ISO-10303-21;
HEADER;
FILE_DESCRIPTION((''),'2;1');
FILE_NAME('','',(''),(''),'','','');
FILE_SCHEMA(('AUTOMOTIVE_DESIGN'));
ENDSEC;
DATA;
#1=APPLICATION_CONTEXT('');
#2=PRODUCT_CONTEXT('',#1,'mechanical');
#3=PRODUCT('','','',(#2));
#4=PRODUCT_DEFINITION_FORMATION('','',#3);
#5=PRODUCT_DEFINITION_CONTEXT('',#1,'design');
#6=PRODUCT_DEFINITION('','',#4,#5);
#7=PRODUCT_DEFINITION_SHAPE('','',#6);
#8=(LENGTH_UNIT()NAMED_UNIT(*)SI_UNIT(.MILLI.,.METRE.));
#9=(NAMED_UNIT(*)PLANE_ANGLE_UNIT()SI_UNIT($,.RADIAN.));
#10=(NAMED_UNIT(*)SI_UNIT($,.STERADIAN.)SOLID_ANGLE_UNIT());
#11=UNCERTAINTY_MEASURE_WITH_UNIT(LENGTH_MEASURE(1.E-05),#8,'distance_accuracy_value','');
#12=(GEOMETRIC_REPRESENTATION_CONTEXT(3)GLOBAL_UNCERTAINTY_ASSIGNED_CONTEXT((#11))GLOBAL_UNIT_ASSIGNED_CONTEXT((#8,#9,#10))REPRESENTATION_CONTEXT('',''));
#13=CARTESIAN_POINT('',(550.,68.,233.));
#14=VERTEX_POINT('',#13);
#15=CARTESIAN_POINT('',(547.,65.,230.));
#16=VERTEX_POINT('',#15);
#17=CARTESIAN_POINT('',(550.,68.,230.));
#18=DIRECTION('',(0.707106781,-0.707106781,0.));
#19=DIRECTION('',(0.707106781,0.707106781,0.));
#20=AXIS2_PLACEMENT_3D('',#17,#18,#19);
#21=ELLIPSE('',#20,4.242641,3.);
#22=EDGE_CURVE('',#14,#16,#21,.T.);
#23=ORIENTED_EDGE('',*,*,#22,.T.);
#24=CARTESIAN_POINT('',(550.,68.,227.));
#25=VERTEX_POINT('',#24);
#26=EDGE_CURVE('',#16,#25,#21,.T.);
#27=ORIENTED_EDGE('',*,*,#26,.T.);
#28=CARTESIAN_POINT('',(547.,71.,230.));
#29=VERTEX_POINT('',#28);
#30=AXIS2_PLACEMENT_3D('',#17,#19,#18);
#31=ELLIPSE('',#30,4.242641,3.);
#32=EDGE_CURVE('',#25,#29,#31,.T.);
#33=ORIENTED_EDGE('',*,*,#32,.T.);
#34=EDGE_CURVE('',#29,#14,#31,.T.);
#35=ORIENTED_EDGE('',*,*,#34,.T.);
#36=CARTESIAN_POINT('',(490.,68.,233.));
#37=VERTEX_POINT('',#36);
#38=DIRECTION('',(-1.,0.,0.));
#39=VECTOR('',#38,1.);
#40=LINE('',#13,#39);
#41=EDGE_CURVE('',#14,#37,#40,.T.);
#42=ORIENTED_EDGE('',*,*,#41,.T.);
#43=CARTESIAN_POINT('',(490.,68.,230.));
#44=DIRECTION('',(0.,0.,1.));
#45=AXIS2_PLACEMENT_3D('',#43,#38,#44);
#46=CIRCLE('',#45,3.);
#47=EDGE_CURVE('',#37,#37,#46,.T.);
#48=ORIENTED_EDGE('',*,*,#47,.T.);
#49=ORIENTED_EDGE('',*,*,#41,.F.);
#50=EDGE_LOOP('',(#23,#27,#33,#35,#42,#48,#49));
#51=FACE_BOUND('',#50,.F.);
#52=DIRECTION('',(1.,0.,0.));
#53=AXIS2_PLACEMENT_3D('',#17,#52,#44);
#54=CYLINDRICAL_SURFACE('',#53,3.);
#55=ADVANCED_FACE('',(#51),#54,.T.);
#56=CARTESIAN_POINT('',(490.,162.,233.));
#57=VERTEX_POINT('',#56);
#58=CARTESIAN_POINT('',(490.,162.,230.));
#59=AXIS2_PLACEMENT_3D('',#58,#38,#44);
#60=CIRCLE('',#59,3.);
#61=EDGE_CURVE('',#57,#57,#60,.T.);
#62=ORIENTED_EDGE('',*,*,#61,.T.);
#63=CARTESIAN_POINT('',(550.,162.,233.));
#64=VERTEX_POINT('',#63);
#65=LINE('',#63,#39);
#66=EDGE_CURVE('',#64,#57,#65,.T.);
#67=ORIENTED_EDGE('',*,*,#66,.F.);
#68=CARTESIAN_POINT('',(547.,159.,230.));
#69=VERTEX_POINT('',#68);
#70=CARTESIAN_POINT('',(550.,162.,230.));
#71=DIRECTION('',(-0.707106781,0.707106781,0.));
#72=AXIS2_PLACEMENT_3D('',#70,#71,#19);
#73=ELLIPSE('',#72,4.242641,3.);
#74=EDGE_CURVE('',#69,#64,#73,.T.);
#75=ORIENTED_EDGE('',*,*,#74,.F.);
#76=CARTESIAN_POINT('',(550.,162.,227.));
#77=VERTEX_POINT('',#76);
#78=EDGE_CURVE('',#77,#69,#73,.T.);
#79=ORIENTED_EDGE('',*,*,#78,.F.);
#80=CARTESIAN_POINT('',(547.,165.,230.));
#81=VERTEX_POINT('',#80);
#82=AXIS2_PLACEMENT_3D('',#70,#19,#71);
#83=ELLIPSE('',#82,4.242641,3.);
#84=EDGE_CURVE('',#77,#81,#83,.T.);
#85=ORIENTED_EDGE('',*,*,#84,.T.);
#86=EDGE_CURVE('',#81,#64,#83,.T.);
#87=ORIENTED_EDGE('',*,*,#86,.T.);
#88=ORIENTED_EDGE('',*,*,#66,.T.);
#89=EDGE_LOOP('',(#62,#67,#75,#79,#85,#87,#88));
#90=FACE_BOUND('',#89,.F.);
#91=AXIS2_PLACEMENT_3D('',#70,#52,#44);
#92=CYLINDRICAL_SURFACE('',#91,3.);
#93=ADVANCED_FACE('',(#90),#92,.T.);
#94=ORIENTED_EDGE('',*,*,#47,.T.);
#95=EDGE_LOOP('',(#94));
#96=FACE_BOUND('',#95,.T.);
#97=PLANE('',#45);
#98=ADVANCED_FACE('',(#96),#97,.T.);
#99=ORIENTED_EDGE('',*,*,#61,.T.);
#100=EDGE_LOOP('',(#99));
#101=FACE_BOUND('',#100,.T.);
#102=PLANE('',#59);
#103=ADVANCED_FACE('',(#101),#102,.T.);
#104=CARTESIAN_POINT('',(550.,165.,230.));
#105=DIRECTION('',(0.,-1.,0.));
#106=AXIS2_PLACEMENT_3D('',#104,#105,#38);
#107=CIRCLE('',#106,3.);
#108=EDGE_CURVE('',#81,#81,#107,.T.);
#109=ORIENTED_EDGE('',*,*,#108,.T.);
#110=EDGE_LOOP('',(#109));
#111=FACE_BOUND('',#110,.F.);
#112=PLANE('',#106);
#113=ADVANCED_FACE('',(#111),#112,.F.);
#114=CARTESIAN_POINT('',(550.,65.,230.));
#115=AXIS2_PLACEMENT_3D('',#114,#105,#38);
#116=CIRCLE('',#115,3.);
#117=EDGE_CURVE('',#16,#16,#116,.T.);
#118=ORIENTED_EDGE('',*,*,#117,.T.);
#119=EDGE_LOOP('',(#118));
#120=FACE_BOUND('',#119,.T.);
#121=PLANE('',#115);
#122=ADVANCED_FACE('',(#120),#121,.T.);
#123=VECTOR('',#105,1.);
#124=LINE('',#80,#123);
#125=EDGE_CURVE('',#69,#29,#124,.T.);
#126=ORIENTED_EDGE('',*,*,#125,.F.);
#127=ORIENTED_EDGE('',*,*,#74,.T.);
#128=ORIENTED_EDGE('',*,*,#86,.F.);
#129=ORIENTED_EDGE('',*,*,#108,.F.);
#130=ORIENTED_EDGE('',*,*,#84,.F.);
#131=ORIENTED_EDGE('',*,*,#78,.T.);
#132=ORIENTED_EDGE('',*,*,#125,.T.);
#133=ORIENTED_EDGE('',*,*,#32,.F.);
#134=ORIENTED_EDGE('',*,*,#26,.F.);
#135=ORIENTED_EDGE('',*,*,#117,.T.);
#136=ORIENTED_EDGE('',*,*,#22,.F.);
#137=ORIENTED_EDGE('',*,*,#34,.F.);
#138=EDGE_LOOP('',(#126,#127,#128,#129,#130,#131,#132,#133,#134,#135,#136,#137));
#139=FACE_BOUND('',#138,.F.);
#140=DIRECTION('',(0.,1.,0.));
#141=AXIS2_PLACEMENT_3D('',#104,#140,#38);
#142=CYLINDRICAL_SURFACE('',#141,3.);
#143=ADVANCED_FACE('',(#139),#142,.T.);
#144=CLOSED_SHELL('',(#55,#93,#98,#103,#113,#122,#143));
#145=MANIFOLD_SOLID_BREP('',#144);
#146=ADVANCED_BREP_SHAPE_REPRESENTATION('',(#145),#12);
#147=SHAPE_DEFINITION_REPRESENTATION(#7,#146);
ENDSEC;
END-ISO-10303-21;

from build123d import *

# Parameters (mm, degrees)
CYLINDER023_R             = 3
CYLINDER023_DEPTH         = 60
CYLINDER023_PITCH_ANGLE   = 90
CYLINDER022_R             = 3
CYLINDER022_DEPTH         = 100
CYLINDER022_ROLL_ANGLE    = 90
CYLINDER024_R             = 3
CYLINDER024_DEPTH         = 60
CYLINDER024_PITCH_ANGLE   = 90
FUSION009_PLACEMENT_ANGLE = 180


with BuildPart() as cylinder029:
    # Cylinder023 → Cylinder023 (new body)
    with BuildSketch(Plane.XY):
        Circle(CYLINDER023_R)
    extrude(amount=CYLINDER023_DEPTH)


with BuildPart() as cylinder029_1:
    # Cylinder023 pitch: moved
    add(cylinder029.part.rotate(Axis((0, 0, 0), (0, 1, 0)), CYLINDER023_PITCH_ANGLE))


with BuildPart() as cylinder029_2:
    # Cylinder023 placement: moved
    add(cylinder029_1.part.moved(Location((-50, -3, 0))))


with BuildPart() as fusion008:
    # Cylinder022 → Cylinder022 (new body)
    with BuildSketch(Plane.XY):
        Circle(CYLINDER022_R)
    extrude(amount=CYLINDER022_DEPTH)


with BuildPart() as fusion008_1:
    # Cylinder022 roll: moved
    add(fusion008.part.rotate(Axis((0, 0, 0), (1, 0, 0)), CYLINDER022_ROLL_ANGLE))


with BuildPart() as fusion008_2:
    # Cylinder022 placement: moved
    add(fusion008_1.part.moved(Location((-50, 0, 0))))

    # Fusion008: union Cylinder029
    add(cylinder029_2.part)


with BuildPart() as handle_right:
    # Cylinder024 → Cylinder024 (new body)
    with BuildSketch(Plane.XY):
        Circle(CYLINDER024_R)
    extrude(amount=CYLINDER024_DEPTH)


with BuildPart() as handle_right_1:
    # Cylinder024 pitch: moved
    add(handle_right.part.rotate(Axis((0, 0, 0), (0, 1, 0)), CYLINDER024_PITCH_ANGLE))


with BuildPart() as handle_right_2:
    # Cylinder024 placement: moved
    add(handle_right_1.part.moved(Location((-50, -97, 0))))

    # Fusion009: union Fusion008
    add(fusion008_2.part)


with BuildPart() as handle_right_3:
    # Fusion009 placement: moved
    add(handle_right_2.part.moved(Location((500, 165, 230))).rotate(Axis((500, 165, 230), (0, 1, 0)), FUSION009_PLACEMENT_ANGLE))


solid = handle_right_3.part
